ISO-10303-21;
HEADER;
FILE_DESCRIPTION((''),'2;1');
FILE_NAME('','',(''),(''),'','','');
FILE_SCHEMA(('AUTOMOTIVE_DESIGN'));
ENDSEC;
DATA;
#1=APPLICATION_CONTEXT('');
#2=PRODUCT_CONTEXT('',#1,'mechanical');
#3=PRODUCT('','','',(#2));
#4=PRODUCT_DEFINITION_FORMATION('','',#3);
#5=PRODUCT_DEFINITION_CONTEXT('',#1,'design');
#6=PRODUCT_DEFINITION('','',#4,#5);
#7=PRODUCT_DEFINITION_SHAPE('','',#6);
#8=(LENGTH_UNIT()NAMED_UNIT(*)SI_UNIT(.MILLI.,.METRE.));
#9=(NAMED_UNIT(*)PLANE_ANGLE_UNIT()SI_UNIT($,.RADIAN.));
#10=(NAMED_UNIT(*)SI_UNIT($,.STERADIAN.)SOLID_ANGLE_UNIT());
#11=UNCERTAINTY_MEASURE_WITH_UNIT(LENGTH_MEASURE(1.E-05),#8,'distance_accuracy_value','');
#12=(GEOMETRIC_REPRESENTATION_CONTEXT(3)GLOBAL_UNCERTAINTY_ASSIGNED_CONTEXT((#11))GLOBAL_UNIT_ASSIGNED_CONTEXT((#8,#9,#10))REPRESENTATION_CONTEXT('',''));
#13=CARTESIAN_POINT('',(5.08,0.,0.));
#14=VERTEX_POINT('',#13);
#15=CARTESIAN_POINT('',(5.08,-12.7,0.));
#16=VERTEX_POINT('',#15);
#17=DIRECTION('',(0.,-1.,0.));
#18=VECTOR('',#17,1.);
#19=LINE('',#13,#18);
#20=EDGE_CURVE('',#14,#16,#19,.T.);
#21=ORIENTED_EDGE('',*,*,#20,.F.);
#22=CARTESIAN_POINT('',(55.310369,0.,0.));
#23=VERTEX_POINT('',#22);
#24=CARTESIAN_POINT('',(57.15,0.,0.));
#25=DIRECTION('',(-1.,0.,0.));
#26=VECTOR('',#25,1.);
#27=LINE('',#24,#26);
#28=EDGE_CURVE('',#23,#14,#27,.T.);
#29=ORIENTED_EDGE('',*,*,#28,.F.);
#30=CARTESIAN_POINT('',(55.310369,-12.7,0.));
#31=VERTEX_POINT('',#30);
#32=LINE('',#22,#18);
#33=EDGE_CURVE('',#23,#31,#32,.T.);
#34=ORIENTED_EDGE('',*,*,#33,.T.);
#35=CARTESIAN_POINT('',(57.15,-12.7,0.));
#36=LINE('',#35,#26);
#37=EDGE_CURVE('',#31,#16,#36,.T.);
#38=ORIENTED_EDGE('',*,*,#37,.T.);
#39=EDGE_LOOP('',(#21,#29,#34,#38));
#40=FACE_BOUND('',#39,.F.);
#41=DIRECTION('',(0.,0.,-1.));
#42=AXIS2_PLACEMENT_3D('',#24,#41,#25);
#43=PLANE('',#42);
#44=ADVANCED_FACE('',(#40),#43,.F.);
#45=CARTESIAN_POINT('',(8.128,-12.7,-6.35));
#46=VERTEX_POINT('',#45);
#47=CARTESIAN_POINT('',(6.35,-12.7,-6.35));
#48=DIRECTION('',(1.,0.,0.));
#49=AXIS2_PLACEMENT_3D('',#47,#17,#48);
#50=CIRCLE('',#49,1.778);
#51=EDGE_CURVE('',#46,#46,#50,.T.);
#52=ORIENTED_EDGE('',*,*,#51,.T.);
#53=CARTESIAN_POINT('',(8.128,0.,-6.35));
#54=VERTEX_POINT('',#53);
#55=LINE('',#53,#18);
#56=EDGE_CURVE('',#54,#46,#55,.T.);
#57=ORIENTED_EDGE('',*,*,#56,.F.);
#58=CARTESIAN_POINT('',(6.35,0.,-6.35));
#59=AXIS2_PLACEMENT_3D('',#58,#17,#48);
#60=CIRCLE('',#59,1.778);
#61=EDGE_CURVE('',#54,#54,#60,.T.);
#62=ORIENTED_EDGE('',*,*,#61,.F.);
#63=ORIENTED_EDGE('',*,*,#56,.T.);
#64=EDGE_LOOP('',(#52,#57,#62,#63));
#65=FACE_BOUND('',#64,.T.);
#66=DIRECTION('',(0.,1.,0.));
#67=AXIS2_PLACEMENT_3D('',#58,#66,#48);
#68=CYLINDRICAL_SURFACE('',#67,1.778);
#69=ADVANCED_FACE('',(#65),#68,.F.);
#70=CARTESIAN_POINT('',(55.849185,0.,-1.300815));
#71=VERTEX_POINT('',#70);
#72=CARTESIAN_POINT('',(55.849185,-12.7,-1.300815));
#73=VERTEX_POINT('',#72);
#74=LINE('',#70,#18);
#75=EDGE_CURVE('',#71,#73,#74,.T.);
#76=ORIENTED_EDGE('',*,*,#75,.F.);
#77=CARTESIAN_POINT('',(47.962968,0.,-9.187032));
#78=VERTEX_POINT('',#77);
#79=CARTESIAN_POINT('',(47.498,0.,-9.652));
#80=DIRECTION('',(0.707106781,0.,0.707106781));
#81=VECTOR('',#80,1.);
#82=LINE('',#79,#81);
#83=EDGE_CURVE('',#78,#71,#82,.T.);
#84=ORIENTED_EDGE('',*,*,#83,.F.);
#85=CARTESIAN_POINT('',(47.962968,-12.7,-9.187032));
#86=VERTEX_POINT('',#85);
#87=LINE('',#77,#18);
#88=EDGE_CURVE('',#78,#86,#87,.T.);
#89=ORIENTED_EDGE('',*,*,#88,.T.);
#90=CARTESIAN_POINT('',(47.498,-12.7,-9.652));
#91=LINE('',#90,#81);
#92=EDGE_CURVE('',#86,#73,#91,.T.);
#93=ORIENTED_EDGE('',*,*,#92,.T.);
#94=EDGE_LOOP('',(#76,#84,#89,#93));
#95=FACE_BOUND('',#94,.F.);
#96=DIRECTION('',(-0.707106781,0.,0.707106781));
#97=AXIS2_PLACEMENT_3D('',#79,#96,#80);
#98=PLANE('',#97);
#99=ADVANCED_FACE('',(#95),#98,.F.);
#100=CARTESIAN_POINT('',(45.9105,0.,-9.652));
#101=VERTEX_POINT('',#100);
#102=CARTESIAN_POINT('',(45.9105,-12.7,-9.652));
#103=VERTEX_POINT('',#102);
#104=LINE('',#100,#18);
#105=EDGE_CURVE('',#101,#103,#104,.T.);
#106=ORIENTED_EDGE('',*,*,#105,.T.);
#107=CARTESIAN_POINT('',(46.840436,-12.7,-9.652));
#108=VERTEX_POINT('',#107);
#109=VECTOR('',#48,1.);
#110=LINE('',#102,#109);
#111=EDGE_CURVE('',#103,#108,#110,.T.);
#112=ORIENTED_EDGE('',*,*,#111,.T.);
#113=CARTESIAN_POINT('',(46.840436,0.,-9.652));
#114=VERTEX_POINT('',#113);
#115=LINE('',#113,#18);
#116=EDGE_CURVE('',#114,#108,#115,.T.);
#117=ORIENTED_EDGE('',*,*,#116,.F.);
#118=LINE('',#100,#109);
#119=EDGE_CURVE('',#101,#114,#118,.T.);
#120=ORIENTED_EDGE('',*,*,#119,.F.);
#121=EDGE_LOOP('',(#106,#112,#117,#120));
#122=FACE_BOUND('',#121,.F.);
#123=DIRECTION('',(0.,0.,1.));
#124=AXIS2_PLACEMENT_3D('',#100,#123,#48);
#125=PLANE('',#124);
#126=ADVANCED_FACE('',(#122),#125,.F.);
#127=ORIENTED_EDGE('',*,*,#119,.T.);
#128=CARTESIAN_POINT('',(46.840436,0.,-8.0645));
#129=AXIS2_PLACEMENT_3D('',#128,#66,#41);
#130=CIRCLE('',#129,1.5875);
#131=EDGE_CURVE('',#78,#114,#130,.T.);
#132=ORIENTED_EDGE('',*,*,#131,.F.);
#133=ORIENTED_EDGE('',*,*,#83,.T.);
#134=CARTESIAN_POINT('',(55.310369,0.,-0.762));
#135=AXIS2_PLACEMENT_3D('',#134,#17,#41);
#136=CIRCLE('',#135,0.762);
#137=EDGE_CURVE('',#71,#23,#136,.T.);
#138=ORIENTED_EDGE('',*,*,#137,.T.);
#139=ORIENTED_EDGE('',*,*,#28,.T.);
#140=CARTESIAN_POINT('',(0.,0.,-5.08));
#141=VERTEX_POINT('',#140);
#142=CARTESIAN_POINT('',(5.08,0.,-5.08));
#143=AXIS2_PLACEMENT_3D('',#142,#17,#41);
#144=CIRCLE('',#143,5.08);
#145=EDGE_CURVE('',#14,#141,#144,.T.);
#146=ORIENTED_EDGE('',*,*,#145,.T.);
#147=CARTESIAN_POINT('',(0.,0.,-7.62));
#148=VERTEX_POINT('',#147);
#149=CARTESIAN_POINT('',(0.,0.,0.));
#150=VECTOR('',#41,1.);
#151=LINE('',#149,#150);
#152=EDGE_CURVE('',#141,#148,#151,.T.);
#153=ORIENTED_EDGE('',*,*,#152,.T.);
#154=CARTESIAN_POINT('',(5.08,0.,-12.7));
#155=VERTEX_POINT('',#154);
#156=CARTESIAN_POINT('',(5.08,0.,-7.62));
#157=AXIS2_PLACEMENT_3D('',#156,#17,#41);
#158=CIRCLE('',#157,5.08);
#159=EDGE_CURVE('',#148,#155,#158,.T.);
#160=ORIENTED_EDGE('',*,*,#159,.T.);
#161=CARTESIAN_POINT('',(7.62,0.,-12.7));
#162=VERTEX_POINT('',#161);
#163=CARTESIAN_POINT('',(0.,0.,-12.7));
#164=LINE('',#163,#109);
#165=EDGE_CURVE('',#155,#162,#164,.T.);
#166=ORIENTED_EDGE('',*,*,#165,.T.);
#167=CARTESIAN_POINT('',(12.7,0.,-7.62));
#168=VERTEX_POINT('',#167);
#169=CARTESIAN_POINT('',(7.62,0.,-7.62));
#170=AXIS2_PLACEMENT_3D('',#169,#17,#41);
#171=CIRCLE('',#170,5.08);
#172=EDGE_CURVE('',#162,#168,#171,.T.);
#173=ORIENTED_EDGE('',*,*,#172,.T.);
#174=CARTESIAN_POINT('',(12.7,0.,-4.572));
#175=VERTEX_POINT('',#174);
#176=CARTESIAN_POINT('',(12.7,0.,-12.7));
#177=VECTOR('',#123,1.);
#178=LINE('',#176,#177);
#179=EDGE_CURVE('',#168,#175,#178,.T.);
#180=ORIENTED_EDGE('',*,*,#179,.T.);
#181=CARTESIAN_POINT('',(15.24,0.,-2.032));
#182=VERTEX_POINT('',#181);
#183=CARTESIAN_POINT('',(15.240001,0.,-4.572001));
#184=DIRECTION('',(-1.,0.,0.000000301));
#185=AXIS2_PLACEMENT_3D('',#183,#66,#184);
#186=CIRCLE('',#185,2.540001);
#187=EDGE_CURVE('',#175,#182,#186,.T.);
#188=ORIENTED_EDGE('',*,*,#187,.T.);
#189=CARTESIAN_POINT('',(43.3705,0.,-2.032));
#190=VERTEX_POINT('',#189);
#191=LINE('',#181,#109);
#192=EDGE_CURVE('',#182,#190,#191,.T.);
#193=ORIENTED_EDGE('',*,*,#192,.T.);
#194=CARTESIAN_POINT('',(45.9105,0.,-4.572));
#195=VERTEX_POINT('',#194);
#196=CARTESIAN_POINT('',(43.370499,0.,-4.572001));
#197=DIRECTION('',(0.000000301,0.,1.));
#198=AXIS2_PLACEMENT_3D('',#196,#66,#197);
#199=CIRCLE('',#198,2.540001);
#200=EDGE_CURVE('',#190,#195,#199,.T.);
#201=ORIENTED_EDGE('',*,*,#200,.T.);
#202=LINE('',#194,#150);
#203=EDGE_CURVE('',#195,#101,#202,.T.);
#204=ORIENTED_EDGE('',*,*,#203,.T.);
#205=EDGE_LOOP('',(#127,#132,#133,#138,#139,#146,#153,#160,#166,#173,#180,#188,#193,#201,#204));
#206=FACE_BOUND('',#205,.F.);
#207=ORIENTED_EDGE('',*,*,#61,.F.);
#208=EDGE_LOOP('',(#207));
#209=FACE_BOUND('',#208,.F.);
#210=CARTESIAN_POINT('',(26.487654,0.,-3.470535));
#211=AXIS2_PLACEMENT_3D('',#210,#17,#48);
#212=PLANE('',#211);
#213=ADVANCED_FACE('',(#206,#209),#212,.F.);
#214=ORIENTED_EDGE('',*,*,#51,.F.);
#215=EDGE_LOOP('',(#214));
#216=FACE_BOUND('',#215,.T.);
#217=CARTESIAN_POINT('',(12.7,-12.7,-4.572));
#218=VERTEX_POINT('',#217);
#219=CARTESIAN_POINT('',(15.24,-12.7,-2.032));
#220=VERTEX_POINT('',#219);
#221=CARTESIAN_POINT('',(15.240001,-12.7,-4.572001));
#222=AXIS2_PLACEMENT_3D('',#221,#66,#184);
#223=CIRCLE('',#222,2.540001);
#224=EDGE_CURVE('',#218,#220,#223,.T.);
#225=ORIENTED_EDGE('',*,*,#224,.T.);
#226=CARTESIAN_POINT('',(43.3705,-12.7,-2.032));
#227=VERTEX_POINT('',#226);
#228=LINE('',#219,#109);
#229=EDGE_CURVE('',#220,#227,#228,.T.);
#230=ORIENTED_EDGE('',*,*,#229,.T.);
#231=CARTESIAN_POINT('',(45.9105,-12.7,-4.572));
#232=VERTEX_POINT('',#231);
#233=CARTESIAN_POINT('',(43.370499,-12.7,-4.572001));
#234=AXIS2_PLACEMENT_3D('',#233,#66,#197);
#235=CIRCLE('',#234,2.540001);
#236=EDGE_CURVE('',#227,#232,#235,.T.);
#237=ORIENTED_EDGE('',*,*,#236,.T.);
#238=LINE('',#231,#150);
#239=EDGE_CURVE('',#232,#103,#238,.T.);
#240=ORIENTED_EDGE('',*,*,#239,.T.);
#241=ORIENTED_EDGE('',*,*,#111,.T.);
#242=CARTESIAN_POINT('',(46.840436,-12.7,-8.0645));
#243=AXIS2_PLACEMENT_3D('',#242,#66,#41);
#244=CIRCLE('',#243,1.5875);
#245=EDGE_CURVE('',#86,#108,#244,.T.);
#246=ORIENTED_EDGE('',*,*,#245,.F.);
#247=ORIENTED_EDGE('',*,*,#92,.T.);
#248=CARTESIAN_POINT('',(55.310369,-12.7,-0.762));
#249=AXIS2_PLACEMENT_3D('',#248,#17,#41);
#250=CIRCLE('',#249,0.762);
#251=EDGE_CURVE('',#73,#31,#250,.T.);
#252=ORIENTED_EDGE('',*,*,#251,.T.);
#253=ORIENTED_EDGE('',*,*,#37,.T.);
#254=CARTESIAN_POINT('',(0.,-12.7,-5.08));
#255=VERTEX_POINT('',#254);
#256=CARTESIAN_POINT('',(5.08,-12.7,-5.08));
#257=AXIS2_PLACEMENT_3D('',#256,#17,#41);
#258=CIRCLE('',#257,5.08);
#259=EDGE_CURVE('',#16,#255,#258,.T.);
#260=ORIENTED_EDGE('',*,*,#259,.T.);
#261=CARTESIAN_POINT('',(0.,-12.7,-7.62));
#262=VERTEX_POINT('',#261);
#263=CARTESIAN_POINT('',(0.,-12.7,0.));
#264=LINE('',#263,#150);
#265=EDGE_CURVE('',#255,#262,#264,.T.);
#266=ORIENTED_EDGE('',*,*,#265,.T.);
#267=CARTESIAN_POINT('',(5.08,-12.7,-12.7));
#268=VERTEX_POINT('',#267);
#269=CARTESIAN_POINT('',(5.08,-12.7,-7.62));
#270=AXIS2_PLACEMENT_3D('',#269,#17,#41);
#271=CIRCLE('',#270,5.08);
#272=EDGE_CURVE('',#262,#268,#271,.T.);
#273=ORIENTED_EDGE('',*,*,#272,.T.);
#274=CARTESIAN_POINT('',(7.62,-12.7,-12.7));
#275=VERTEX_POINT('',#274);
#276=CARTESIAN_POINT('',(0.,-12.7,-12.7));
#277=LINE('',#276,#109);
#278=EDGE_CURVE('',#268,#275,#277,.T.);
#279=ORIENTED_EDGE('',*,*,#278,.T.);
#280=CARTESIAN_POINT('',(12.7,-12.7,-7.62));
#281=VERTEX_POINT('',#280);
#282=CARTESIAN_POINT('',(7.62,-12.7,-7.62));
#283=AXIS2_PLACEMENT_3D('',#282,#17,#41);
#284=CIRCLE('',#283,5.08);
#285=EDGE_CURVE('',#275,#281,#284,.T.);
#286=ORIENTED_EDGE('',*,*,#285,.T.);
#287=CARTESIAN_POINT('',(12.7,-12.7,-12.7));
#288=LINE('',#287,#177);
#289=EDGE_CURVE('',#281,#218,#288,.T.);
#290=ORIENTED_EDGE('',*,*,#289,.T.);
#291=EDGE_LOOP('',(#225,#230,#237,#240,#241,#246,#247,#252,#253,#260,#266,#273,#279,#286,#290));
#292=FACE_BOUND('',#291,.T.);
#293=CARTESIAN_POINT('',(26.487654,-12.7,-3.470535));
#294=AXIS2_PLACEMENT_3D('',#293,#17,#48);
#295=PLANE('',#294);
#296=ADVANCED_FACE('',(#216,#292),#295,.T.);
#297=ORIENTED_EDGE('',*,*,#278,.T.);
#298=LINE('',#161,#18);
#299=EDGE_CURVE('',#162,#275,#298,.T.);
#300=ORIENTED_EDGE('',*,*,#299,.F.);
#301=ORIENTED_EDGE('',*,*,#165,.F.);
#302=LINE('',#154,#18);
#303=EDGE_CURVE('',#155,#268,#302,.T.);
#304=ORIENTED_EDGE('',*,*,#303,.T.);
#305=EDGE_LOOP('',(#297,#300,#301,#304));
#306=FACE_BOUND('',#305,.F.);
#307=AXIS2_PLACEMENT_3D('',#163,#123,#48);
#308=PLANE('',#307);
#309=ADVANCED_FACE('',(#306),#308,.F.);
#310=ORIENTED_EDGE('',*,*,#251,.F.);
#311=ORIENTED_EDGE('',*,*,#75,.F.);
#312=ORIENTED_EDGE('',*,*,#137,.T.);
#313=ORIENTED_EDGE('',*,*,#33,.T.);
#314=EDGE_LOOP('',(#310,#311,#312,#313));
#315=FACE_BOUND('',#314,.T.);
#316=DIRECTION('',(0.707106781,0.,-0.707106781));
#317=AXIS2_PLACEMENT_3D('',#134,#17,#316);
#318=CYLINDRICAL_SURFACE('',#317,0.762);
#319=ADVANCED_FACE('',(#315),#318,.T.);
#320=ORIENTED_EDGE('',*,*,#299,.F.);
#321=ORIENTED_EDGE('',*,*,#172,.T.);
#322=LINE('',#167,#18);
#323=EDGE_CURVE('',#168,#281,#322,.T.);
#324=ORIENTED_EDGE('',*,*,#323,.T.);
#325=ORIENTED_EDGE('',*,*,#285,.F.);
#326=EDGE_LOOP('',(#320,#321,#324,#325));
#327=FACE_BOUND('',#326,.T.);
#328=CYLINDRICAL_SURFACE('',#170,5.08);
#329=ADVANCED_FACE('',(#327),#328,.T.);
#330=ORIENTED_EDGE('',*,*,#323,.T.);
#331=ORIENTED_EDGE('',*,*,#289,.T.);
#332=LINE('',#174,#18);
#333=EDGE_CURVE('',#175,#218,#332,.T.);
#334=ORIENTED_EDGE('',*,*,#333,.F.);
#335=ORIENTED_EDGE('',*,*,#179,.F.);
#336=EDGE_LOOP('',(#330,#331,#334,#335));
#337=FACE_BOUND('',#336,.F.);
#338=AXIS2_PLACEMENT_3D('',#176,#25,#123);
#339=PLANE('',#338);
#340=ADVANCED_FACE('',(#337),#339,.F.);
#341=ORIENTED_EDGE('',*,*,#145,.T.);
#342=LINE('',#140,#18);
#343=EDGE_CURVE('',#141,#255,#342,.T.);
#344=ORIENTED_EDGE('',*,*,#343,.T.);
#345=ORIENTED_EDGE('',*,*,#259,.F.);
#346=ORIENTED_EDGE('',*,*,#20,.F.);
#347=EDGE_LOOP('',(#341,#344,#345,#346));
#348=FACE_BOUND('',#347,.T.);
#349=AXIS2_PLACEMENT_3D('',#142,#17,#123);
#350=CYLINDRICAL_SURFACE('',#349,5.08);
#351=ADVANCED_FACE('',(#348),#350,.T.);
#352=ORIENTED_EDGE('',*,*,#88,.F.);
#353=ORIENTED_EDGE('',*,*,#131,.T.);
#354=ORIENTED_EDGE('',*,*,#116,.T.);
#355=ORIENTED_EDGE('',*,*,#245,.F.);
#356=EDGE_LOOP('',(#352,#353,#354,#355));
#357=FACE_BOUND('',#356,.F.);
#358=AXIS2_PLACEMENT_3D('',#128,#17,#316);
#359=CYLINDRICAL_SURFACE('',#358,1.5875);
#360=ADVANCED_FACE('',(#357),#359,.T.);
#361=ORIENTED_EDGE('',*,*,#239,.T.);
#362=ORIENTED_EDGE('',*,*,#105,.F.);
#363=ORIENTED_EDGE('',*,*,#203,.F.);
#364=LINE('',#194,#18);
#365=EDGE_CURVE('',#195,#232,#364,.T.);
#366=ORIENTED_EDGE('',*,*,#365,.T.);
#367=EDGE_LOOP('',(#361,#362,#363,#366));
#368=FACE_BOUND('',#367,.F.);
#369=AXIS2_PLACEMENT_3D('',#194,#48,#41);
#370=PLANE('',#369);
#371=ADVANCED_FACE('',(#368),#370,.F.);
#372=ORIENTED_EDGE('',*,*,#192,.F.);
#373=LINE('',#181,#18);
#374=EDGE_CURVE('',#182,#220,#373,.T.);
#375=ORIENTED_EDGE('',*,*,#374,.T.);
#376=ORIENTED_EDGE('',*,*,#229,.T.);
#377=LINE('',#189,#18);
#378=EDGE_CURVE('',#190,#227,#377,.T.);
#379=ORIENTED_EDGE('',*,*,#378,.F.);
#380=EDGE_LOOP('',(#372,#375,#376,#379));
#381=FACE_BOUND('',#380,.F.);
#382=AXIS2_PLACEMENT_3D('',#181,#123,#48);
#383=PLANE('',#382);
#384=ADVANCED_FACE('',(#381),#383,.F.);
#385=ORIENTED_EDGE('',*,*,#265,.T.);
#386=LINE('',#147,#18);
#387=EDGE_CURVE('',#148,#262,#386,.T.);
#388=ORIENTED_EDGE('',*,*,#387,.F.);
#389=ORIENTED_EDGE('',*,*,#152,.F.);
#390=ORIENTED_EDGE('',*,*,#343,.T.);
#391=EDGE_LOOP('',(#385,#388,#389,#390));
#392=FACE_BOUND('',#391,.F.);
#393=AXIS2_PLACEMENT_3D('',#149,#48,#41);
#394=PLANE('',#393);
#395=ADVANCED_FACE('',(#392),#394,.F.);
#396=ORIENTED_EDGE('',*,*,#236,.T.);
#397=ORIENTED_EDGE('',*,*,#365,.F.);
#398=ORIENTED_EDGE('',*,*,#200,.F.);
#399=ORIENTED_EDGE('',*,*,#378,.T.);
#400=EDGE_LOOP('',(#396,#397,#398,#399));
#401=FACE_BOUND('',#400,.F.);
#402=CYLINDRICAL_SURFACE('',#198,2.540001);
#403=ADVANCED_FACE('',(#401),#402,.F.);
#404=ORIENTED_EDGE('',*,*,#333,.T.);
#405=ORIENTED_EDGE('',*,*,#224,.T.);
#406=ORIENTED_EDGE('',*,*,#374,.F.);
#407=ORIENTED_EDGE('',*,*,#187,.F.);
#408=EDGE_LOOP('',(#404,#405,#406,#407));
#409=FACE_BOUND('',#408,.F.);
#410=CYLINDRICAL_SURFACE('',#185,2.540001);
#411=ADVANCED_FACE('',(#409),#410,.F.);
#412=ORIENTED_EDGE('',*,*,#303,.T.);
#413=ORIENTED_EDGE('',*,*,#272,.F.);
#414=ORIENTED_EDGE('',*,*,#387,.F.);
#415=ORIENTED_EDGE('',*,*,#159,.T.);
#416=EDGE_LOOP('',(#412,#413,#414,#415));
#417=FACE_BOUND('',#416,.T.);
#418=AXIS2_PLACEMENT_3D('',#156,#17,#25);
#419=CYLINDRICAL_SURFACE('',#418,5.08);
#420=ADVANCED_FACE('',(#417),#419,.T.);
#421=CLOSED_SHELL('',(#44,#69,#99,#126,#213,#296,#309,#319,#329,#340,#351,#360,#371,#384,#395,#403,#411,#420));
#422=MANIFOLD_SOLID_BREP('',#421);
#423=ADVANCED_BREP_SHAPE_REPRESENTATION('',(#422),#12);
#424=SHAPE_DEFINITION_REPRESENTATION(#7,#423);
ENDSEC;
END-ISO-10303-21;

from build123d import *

# Parameters (mm, degrees)
F0_R     = 1.778
F1_DEPTH = 12.7
F2_R     = 1.5875
F3_R     = 0.762
F4_R     = 5.08


with BuildPart() as f1:
    # F0 (on Front) → F1 (new body)
    with BuildSketch(Plane.XZ):
        with BuildLine():
            Line((57.15, 0), (0, 0))
            Line((0, 0), (0, -12.7))
            Line((0, -12.7), (12.7, -12.7))
            Line((12.7, -12.7), (12.7, -4.572))
            ThreePointArc((12.7, -4.572), (13.443949, -2.775949), (15.24, -2.032))
            Line((15.24, -2.032), (43.3705, -2.032))
            ThreePointArc((43.3705, -2.032), (45.166551, -2.775949), (45.9105, -4.572))
            Line((45.9105, -4.572), (45.9105, -9.652))
            Line((45.9105, -9.652), (47.498, -9.652))
            Line((47.498, -9.652), (57.15, 0))
        make_face()
        with Locations((6.35, -6.35)):
            Circle(F0_R, mode=Mode.SUBTRACT)
    extrude(amount=F1_DEPTH)

    # F2
    f2_edges = [f1.edges().sort_by_distance(p)[0] for p in [
        (47.498, -6.35, -9.652),
    ]]
    fillet(f2_edges, radius=F2_R)

    # F3
    f3_edges = [f1.edges().sort_by_distance(p)[0] for p in [
        (57.15, -6.35, 0),
    ]]
    fillet(f3_edges, radius=F3_R)

    # F4
    f4_edges = [f1.edges().sort_by_distance(p)[0] for p in [
        (0, -6.35, -12.7),
        (12.7, -6.35, -12.7),
        (0, -6.35, 0),
    ]]
    fillet(f4_edges, radius=F4_R)


solid = f1.part
